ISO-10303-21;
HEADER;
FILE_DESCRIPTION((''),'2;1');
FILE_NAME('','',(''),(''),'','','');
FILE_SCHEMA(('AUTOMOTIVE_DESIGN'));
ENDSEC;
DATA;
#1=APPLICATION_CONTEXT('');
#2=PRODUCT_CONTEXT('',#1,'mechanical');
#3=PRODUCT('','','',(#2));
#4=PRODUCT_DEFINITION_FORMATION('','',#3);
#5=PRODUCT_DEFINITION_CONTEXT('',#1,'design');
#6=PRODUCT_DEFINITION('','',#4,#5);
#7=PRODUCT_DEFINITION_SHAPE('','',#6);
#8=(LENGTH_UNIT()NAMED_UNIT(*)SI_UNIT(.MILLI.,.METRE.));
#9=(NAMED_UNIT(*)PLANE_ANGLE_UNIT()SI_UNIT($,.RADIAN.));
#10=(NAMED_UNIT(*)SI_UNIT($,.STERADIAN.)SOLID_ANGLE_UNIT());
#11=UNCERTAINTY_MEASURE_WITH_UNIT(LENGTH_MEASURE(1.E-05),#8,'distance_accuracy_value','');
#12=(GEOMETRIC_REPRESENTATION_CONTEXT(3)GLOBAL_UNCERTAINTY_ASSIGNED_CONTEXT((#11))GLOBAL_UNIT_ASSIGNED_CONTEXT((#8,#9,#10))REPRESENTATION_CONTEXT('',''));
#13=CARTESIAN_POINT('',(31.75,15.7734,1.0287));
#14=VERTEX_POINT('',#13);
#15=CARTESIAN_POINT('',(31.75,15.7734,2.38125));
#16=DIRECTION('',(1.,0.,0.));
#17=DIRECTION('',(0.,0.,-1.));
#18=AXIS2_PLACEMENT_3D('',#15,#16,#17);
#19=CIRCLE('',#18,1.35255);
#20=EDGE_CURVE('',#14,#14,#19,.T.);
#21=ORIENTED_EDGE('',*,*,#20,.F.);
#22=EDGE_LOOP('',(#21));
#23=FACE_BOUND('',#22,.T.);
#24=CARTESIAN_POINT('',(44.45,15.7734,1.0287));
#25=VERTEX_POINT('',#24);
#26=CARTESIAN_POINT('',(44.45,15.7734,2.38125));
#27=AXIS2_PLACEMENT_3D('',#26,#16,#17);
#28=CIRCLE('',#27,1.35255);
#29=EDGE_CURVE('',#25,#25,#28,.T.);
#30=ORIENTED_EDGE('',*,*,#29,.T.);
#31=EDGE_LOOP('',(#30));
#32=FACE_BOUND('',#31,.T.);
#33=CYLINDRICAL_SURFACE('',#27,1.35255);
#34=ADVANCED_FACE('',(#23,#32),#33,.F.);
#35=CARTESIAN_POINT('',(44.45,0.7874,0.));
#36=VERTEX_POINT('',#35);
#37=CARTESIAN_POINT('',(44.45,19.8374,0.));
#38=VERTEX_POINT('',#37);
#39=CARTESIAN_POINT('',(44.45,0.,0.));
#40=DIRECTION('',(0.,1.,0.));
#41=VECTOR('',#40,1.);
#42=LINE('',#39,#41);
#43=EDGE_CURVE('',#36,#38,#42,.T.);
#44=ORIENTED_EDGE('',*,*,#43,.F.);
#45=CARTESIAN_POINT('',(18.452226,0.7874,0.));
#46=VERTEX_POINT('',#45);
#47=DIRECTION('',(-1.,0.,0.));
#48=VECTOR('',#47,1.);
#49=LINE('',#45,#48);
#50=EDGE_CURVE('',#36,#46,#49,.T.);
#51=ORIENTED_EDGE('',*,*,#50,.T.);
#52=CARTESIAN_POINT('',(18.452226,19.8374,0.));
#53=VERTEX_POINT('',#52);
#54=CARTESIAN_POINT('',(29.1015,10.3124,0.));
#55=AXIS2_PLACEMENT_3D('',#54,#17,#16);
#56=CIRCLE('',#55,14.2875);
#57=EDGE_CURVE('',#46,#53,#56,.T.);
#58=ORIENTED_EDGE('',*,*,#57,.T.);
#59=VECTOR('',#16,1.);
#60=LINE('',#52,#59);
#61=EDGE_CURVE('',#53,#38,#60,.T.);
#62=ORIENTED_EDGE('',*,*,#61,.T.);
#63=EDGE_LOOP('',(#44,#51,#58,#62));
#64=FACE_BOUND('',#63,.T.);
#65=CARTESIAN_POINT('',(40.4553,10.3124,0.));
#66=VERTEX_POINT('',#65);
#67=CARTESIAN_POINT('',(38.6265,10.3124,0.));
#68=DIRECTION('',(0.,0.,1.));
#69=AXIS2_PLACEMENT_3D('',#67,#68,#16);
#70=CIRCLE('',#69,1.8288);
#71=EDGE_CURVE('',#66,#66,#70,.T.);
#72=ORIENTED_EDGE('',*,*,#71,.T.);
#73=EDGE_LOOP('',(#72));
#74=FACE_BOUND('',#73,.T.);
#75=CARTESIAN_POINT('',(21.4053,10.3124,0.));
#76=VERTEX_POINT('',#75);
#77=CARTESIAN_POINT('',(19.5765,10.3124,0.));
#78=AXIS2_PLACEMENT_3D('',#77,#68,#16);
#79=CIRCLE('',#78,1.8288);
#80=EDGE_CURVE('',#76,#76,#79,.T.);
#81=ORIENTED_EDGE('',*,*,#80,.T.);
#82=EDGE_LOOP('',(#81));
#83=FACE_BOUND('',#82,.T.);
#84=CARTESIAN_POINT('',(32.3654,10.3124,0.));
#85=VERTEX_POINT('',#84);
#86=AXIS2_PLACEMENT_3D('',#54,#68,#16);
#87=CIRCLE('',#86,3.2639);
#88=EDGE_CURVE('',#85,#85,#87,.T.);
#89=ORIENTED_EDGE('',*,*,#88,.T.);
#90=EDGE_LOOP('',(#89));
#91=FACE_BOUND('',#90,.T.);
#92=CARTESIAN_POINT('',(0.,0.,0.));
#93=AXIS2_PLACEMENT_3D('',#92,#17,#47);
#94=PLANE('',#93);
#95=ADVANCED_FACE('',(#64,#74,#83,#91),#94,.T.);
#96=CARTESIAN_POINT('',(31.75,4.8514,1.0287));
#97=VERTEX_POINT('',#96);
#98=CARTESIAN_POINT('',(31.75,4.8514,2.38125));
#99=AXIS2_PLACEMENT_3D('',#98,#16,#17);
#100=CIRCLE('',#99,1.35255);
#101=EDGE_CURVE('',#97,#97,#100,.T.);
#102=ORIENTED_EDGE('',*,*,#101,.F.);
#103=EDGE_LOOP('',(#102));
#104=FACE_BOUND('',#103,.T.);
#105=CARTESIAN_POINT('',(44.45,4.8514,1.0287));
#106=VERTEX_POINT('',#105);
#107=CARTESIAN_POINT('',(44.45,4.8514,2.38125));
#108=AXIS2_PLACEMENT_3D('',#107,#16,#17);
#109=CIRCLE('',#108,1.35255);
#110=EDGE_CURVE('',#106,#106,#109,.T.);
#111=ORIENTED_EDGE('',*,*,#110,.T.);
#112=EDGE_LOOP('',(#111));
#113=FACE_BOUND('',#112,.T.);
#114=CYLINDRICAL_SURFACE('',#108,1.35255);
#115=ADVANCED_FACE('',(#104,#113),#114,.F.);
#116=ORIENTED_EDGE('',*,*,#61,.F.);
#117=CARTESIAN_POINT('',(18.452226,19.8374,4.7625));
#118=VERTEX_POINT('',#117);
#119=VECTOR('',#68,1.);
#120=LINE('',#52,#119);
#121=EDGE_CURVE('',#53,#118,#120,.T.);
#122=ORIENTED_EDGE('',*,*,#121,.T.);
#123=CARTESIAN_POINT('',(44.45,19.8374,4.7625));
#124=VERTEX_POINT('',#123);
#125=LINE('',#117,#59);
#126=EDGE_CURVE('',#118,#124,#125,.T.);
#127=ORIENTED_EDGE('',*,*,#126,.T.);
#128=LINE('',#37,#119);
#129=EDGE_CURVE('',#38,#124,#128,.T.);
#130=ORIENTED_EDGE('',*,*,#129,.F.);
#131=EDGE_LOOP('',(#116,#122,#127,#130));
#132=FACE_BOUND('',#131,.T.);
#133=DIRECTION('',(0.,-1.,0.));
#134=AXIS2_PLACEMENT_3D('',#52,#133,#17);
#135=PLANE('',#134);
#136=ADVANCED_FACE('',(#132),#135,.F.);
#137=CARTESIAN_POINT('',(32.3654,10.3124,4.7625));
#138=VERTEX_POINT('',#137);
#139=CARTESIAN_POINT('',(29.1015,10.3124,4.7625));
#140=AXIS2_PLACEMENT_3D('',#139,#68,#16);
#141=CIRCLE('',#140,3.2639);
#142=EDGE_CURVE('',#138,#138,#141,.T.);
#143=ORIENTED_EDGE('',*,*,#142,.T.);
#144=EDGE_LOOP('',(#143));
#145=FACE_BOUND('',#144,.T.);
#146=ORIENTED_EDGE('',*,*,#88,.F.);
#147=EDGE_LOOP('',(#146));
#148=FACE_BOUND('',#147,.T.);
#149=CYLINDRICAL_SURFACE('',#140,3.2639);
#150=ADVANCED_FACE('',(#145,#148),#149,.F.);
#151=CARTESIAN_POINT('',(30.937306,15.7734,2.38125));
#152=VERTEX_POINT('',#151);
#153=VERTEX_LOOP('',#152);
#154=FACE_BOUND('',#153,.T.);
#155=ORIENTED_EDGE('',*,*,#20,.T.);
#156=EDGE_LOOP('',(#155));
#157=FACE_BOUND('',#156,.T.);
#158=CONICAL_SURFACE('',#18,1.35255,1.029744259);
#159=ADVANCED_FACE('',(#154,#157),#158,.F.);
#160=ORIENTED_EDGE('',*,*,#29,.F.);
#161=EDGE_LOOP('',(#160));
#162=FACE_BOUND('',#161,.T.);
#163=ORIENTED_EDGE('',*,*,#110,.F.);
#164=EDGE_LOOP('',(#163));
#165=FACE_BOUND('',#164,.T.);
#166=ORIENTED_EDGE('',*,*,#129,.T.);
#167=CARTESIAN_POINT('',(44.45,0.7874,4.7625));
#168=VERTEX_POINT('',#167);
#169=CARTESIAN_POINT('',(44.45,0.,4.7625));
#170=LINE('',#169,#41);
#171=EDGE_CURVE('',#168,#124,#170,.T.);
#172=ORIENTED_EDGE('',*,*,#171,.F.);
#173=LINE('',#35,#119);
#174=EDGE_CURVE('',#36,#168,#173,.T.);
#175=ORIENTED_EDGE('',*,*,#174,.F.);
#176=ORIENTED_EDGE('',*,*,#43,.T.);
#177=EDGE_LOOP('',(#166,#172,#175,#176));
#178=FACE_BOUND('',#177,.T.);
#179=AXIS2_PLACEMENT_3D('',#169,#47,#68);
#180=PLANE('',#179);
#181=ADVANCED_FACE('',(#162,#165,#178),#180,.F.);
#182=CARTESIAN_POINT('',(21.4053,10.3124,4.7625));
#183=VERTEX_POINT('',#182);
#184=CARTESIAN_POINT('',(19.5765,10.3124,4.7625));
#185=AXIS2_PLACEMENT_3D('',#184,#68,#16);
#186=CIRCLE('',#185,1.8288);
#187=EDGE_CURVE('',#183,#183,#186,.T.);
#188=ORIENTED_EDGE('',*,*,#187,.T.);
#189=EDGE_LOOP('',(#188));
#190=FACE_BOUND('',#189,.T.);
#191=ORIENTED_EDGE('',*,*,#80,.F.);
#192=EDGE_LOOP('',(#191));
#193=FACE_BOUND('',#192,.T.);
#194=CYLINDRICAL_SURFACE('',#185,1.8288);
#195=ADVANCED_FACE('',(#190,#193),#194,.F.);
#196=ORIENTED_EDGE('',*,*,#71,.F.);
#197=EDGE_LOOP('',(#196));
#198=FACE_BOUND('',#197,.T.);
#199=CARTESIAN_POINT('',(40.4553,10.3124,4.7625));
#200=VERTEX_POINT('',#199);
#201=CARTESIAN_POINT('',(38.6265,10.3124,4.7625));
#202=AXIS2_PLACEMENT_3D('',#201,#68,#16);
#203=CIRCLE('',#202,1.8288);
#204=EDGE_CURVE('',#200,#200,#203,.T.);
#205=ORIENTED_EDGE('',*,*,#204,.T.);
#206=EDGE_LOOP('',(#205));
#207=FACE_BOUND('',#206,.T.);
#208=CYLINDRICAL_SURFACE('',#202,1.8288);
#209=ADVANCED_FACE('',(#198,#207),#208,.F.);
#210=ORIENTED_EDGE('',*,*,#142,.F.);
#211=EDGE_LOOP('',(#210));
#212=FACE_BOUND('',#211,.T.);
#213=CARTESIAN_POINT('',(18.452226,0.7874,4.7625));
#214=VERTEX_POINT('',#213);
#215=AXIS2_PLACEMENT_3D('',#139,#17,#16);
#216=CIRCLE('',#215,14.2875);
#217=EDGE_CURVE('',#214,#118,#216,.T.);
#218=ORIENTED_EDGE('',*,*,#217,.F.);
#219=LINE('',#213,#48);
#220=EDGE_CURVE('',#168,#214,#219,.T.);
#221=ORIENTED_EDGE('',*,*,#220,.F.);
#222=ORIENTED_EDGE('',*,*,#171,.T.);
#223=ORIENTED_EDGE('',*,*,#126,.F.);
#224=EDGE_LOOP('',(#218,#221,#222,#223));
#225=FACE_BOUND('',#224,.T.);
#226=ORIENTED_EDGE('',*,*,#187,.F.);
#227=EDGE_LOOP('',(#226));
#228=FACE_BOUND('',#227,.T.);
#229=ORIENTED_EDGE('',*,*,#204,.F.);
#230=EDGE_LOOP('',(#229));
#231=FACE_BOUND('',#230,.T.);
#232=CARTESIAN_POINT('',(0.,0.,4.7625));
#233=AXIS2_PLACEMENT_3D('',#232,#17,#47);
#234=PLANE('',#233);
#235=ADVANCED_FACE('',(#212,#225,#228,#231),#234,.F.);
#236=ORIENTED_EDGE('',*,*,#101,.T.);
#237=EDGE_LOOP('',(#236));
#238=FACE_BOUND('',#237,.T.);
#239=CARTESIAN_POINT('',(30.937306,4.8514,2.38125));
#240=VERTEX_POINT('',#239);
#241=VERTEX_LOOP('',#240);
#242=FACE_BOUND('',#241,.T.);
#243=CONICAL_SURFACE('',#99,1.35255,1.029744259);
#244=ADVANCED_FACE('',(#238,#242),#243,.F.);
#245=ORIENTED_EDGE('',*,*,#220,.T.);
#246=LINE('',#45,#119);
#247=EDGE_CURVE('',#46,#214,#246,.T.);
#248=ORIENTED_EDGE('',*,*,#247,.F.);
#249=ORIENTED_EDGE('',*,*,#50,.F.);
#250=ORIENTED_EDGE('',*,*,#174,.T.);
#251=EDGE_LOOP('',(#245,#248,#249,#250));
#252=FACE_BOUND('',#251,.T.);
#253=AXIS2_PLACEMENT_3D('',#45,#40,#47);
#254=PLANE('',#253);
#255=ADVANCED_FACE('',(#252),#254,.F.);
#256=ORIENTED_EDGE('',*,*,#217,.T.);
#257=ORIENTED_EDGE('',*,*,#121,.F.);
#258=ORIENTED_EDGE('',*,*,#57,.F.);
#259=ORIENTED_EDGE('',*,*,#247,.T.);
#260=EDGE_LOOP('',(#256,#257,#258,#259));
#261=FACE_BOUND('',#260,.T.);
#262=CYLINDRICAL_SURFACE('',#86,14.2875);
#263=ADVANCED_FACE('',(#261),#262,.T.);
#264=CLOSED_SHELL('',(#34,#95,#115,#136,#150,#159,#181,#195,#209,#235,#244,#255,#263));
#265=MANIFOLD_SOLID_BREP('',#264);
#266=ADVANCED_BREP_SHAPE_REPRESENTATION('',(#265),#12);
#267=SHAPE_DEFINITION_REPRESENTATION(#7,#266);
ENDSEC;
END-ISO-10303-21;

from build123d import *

# Parameters (mm, degrees)
SKETCH1_W                     = 44.45
SKETCH1_H                     = 23.0124
BOSS_EXTRUDE1_DEPTH           = 4.7625
F_1_4_CLEARANCE_HOLE1_D       = 6.5278
F_6_CLEARANCE_HOLE1_D         = 3.6576
CUT_EXTRUDE1_DEPTH            = 51.279761933
TAP_DRILL_FOR_6_32_TAP1_D     = 2.7051
TAP_DRILL_FOR_6_32_TAP1_DEPTH = 12.7
TAP_DRILL_FOR_6_32_TAP1_TIP   = 0.81269403


with BuildPart() as part:
    # Sketch1 → Boss-Extrude1 (new body)
    with BuildSketch(Plane.XY):
        with Locations((22.225, 11.5062)):
            Rectangle(SKETCH1_W, SKETCH1_H)
    extrude(amount=BOSS_EXTRUDE1_DEPTH)

    # 1/4 Clearance Hole1 (through all)
    with Locations(Plane.XY.offset(4.7625)):
        with Locations((29.1015, 10.3124)):
            Hole(F_1_4_CLEARANCE_HOLE1_D / 2)

    # #6 Clearance Hole1 (through all)
    with Locations(Plane.XY.offset(4.7625)):
        with Locations((19.5765, 10.3124), (38.6265, 10.3124)):
            Hole(F_6_CLEARANCE_HOLE1_D / 2)

    # Sketch7 → Cut-Extrude1 (cut, through all)
    with BuildSketch(Plane.XY.offset(4.7625)):
        with BuildLine():
            Line((18.452226257, 0.7874), (44.45, 0.7874))
            Line((44.45, 0.7874), (44.45, 0))
            Line((44.45, 0), (0, 0))
            Line((0, 0), (0, 23.0124))
            Line((0, 23.0124), (44.45, 23.0124))
            Line((44.45, 23.0124), (44.45, 19.8374))
            Line((44.45, 19.8374), (18.452226257, 19.8374))
            ThreePointArc((18.452226257, 19.8374), (14.814, 10.3124), (18.452226257, 0.7874))
        make_face()
    extrude(amount=-CUT_EXTRUDE1_DEPTH, mode=Mode.SUBTRACT)

    # Tap Drill for #6-32 Tap1
    with Locations(Plane(origin=(44.45, 0, 0), x_dir=(0, 0, -1), z_dir=(1, 0, 0))):
        with Locations((-2.38125, 4.8514), (-2.38125, 15.7734)):
            Hole(TAP_DRILL_FOR_6_32_TAP1_D / 2, depth=TAP_DRILL_FOR_6_32_TAP1_DEPTH)
            with Locations((0, 0, -(TAP_DRILL_FOR_6_32_TAP1_DEPTH + TAP_DRILL_FOR_6_32_TAP1_TIP / 2))):  # 118° drill point
                Cone(0, TAP_DRILL_FOR_6_32_TAP1_D / 2, TAP_DRILL_FOR_6_32_TAP1_TIP, mode=Mode.SUBTRACT)


solid = part.part
